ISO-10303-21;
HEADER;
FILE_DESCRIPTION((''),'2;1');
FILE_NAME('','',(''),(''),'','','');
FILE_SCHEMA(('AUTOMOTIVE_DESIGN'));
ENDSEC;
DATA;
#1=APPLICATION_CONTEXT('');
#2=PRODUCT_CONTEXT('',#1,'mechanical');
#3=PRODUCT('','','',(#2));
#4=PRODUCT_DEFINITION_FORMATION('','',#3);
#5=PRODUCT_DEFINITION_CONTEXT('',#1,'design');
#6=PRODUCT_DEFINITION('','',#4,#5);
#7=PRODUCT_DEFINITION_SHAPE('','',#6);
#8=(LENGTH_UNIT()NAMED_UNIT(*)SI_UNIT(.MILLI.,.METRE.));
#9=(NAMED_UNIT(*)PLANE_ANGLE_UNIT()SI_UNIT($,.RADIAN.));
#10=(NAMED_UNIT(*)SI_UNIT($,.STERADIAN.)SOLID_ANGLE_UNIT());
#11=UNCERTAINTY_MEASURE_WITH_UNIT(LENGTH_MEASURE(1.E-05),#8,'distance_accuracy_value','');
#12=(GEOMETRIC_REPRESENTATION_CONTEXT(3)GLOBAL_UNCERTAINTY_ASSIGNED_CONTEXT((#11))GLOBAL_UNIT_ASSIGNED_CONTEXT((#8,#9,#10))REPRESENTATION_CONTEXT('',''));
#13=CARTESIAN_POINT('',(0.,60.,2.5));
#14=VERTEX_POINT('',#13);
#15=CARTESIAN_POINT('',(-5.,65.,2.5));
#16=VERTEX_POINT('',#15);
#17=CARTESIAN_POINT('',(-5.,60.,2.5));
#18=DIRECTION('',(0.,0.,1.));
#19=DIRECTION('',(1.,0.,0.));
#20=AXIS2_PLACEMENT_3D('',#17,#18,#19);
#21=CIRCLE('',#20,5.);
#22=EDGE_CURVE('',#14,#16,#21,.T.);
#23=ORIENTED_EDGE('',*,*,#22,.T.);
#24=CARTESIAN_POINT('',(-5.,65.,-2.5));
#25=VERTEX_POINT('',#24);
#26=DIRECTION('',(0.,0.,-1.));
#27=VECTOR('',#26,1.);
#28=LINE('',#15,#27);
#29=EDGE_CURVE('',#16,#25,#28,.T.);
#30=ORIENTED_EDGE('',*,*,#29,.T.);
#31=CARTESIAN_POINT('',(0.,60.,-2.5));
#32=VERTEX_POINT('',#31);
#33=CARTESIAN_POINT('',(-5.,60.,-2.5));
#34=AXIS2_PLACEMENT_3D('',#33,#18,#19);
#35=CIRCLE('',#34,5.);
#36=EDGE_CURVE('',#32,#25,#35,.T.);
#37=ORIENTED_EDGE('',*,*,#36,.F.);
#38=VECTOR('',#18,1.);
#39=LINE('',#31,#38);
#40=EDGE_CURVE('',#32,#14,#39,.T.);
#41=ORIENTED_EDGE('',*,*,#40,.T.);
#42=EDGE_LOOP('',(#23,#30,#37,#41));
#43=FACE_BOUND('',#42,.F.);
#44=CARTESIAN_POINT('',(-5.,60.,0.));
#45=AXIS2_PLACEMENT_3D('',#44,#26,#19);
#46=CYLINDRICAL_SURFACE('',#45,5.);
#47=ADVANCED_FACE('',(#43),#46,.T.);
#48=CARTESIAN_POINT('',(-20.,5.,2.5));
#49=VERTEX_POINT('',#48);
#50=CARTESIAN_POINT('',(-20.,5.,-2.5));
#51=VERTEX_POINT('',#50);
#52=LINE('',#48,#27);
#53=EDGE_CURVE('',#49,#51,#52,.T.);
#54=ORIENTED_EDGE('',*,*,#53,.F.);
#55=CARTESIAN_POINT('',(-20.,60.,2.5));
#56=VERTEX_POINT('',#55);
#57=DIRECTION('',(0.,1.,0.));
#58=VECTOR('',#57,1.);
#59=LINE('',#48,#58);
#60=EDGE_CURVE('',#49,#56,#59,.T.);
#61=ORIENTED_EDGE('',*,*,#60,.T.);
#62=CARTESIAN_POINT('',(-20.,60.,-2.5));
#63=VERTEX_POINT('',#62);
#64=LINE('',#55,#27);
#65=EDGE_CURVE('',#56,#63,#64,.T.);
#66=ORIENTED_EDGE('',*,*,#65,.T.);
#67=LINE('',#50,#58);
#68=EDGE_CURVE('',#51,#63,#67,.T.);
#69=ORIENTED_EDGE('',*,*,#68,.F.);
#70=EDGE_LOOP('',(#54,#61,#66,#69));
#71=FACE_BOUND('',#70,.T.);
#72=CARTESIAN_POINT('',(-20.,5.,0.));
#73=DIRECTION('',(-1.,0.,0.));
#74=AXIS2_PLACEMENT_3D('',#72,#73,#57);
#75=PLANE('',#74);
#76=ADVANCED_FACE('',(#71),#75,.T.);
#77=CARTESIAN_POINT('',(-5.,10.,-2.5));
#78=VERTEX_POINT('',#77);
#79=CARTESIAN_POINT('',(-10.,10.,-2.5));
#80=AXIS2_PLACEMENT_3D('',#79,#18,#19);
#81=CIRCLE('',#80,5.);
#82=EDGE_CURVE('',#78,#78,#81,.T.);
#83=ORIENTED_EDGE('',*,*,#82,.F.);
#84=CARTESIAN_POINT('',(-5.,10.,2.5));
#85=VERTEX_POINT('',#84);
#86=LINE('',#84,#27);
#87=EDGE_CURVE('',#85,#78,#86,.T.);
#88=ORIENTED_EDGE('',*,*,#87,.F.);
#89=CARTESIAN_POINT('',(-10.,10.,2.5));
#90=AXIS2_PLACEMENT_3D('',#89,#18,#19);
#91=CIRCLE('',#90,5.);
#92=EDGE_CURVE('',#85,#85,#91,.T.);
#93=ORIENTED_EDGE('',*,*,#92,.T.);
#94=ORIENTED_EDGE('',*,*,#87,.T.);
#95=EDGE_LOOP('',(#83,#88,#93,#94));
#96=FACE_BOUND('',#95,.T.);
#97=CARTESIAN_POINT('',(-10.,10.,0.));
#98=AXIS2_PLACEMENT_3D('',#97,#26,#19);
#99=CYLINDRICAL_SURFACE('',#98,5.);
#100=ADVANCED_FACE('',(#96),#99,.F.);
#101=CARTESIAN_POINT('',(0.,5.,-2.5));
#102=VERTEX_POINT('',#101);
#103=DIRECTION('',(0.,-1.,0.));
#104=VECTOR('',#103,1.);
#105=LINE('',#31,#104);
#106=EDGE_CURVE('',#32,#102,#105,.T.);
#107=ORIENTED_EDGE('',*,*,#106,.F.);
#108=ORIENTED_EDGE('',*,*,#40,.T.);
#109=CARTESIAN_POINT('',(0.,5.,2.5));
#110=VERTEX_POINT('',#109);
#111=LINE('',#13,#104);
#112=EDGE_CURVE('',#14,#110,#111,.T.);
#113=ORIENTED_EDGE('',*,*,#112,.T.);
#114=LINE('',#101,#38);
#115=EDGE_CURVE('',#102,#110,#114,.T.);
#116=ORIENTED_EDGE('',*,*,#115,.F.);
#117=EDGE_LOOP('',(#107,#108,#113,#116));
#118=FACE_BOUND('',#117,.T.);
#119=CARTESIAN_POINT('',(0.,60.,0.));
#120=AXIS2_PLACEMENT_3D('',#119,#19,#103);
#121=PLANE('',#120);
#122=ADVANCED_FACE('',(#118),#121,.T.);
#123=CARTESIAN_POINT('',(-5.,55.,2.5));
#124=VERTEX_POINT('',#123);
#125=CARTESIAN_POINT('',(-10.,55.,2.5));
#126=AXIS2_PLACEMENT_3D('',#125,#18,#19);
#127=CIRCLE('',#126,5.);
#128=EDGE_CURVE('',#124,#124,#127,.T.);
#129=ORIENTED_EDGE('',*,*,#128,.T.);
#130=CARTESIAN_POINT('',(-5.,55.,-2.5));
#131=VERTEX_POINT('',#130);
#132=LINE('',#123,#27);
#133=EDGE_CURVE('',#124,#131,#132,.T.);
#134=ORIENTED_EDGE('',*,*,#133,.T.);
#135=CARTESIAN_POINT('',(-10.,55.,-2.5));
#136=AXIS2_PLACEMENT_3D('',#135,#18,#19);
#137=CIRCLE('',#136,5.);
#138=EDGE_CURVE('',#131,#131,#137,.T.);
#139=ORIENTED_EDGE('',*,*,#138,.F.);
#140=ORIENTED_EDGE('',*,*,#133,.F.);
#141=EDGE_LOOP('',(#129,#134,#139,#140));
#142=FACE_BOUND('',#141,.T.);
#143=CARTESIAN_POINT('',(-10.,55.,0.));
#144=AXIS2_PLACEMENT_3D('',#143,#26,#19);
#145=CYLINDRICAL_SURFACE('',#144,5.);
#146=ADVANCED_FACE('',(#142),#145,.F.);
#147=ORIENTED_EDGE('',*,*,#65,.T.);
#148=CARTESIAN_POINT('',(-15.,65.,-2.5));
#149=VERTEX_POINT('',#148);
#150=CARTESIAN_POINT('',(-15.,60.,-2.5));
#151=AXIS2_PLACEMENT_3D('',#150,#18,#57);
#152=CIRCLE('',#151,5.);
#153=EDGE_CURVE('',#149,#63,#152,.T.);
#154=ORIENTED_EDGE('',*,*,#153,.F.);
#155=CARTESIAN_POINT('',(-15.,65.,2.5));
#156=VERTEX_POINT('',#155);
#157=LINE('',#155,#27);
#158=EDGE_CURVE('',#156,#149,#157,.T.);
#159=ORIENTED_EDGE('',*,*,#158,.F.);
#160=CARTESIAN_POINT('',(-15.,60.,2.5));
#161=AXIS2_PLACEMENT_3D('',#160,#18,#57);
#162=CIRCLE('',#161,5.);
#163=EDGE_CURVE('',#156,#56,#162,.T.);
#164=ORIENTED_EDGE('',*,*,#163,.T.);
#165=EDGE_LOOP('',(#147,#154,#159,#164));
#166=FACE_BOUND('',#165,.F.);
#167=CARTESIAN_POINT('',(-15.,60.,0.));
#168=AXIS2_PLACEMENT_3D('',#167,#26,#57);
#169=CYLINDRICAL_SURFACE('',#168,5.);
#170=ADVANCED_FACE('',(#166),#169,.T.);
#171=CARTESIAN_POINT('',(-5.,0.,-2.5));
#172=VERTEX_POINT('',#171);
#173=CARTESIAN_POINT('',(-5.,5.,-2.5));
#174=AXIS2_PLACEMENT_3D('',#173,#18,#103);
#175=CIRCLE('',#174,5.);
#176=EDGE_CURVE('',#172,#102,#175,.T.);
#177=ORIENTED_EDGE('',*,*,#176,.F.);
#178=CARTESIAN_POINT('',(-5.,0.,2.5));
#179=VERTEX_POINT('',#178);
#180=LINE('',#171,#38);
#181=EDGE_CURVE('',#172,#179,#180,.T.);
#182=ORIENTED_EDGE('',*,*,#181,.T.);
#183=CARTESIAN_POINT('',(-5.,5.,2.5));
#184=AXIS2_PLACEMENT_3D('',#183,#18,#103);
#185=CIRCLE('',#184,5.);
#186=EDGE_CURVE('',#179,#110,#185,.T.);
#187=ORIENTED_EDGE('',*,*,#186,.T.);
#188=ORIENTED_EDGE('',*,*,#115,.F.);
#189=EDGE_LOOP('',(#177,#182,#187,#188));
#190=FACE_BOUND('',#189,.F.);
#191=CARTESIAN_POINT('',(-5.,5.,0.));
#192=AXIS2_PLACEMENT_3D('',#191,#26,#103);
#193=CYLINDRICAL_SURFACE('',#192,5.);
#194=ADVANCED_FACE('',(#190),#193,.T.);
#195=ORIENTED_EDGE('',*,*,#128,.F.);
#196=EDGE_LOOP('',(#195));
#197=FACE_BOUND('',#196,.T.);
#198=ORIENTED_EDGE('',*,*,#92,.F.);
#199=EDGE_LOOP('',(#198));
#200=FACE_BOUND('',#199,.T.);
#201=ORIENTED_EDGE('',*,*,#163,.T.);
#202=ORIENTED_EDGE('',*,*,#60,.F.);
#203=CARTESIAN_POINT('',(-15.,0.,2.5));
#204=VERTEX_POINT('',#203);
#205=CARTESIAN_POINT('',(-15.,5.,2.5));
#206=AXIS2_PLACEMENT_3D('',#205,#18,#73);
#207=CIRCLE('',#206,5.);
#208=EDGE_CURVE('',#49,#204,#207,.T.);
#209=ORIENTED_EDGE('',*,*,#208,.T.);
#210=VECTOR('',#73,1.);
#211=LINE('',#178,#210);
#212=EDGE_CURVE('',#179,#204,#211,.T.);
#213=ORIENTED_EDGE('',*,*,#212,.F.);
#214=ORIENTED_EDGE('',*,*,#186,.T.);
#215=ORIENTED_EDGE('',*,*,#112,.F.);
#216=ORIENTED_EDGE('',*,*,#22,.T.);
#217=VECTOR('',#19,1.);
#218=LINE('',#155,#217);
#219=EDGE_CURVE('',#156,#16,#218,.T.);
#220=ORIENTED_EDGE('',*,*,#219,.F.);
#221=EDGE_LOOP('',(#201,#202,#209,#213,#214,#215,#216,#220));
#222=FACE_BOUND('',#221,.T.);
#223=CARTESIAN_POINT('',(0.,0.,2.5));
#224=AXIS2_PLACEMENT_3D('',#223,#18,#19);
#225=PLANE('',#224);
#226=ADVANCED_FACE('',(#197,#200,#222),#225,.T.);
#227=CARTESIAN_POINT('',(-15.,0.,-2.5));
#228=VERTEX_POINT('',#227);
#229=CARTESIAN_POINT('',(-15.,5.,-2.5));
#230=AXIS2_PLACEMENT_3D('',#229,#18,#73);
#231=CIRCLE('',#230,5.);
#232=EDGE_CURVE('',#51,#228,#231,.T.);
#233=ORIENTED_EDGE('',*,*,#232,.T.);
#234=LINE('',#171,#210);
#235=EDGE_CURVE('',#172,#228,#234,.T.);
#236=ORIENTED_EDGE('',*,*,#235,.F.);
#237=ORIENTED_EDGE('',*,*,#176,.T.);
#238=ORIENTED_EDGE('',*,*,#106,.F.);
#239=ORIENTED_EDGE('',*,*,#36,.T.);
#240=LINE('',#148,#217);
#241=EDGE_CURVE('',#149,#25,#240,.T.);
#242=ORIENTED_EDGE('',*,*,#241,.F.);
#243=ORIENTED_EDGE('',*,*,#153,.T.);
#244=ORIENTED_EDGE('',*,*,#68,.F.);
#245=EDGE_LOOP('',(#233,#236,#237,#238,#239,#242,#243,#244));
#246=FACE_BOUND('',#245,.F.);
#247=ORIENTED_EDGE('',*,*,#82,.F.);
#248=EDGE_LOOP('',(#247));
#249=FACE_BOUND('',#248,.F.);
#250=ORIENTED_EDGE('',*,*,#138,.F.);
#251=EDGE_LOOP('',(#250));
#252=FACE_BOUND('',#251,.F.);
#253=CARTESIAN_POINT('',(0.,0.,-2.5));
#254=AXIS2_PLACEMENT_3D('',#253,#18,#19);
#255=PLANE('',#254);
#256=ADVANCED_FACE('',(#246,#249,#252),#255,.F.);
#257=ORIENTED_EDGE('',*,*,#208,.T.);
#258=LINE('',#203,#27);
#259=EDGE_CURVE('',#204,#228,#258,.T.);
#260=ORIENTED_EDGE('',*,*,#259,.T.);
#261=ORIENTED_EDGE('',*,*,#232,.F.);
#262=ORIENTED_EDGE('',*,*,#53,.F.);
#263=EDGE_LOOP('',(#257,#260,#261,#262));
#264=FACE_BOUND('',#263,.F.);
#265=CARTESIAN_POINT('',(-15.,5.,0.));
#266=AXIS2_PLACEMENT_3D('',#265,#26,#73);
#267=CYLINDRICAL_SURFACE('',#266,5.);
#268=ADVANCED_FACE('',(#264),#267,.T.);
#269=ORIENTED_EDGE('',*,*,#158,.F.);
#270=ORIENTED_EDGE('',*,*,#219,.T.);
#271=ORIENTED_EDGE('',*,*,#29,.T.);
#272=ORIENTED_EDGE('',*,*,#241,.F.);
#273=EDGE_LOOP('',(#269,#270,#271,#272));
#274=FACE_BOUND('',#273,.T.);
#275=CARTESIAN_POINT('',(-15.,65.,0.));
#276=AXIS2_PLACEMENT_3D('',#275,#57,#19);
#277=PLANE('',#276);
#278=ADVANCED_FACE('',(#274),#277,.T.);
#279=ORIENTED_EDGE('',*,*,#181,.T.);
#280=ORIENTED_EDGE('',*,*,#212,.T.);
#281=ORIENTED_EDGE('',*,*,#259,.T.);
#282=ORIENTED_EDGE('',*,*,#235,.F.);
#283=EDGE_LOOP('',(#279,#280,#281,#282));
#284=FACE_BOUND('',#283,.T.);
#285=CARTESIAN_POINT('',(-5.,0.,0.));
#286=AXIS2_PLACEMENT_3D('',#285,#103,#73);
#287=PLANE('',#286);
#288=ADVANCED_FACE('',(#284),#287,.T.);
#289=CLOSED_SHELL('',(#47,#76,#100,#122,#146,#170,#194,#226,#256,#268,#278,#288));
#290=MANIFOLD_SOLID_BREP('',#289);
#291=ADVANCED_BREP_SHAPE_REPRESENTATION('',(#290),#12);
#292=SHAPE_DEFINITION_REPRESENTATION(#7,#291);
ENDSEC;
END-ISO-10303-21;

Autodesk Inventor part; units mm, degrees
ref_plane "YZ Plane" through (0, 0, 0) normal (1, 0, 0) x (0, 1, 0)
ref_plane "XZ Plane" through (0, 0, 0) normal (0, 1, 0) x (-1, 0, 0)
ref_plane "XY Plane" through (0, 0, 0) normal (0, 0, 1) x (1, 0, 0)
sketch "Sketch1" plane through (0, 0, 0) normal (0, 0, 1) x (1, 0, 0)
  line L0 (-5, 0) -> (-15, 0)
  line L1 (-20, 5) -> (-20, 60)
  line L2 (-15, 65) -> (-5, 65)
  line L3 (0, 60) -> (0, 5)
  circle A0 centre (-10, 55) radius 5
  circle A1 centre (-10, 10) radius 5
  arc A2 (-15, 65) -> (-20, 60) centre (-15, 60) ccw
  arc A3 (0, 60) -> (-5, 65) centre (-5, 60) ccw
  arc A4 (-20, 5) -> (-15, 0) centre (-15, 5) ccw
  arc A5 (-5, 0) -> (0, 5) centre (-5, 5) ccw
  point P0 (0, 0)
  point P1 (-20, 65)
  point P2 (-20, 0)
  point P3 (0, 65)
  dimension "d0" = 20
  dimension "d1" = 65
  dimension "d2" = 10
  dimension "d3" = 45
  dimension "d4" = 10
  dimension "d5" = 5
extrude "Extrusion1" add sketch "Sketch1" along normal mid plane 5
sketch "Sketch2" plane through (0, 0, 2.5) normal (0, 0, 1) x (1, 0, 0)
  line L0 (-5, 65) -> (-15, 65) projected
  arc A0 (-15, 65) -> (-20, 60) centre (-15, 60) ccw projected
  line L1 (-20, 60) -> (-20, 5) projected
  arc A1 (-20, 5) -> (-15, 0) centre (-15, 5) ccw projected
  line L2 (-15, 0) -> (-5, 0) projected
  arc A2 (-5, 0) -> (0, 5) centre (-5, 5) ccw projected
  line L3 (0, 5) -> (0, 60) projected
  arc A3 (0, 60) -> (-5, 65) centre (-5, 60) ccw projected
  circle A4 centre (-10, 10) radius 5 projected
  circle A5 centre (-10, 55) radius 5 projected
  point P0 (0, 0)
properties part number "Servo arm" material "Aluminum 6061"
